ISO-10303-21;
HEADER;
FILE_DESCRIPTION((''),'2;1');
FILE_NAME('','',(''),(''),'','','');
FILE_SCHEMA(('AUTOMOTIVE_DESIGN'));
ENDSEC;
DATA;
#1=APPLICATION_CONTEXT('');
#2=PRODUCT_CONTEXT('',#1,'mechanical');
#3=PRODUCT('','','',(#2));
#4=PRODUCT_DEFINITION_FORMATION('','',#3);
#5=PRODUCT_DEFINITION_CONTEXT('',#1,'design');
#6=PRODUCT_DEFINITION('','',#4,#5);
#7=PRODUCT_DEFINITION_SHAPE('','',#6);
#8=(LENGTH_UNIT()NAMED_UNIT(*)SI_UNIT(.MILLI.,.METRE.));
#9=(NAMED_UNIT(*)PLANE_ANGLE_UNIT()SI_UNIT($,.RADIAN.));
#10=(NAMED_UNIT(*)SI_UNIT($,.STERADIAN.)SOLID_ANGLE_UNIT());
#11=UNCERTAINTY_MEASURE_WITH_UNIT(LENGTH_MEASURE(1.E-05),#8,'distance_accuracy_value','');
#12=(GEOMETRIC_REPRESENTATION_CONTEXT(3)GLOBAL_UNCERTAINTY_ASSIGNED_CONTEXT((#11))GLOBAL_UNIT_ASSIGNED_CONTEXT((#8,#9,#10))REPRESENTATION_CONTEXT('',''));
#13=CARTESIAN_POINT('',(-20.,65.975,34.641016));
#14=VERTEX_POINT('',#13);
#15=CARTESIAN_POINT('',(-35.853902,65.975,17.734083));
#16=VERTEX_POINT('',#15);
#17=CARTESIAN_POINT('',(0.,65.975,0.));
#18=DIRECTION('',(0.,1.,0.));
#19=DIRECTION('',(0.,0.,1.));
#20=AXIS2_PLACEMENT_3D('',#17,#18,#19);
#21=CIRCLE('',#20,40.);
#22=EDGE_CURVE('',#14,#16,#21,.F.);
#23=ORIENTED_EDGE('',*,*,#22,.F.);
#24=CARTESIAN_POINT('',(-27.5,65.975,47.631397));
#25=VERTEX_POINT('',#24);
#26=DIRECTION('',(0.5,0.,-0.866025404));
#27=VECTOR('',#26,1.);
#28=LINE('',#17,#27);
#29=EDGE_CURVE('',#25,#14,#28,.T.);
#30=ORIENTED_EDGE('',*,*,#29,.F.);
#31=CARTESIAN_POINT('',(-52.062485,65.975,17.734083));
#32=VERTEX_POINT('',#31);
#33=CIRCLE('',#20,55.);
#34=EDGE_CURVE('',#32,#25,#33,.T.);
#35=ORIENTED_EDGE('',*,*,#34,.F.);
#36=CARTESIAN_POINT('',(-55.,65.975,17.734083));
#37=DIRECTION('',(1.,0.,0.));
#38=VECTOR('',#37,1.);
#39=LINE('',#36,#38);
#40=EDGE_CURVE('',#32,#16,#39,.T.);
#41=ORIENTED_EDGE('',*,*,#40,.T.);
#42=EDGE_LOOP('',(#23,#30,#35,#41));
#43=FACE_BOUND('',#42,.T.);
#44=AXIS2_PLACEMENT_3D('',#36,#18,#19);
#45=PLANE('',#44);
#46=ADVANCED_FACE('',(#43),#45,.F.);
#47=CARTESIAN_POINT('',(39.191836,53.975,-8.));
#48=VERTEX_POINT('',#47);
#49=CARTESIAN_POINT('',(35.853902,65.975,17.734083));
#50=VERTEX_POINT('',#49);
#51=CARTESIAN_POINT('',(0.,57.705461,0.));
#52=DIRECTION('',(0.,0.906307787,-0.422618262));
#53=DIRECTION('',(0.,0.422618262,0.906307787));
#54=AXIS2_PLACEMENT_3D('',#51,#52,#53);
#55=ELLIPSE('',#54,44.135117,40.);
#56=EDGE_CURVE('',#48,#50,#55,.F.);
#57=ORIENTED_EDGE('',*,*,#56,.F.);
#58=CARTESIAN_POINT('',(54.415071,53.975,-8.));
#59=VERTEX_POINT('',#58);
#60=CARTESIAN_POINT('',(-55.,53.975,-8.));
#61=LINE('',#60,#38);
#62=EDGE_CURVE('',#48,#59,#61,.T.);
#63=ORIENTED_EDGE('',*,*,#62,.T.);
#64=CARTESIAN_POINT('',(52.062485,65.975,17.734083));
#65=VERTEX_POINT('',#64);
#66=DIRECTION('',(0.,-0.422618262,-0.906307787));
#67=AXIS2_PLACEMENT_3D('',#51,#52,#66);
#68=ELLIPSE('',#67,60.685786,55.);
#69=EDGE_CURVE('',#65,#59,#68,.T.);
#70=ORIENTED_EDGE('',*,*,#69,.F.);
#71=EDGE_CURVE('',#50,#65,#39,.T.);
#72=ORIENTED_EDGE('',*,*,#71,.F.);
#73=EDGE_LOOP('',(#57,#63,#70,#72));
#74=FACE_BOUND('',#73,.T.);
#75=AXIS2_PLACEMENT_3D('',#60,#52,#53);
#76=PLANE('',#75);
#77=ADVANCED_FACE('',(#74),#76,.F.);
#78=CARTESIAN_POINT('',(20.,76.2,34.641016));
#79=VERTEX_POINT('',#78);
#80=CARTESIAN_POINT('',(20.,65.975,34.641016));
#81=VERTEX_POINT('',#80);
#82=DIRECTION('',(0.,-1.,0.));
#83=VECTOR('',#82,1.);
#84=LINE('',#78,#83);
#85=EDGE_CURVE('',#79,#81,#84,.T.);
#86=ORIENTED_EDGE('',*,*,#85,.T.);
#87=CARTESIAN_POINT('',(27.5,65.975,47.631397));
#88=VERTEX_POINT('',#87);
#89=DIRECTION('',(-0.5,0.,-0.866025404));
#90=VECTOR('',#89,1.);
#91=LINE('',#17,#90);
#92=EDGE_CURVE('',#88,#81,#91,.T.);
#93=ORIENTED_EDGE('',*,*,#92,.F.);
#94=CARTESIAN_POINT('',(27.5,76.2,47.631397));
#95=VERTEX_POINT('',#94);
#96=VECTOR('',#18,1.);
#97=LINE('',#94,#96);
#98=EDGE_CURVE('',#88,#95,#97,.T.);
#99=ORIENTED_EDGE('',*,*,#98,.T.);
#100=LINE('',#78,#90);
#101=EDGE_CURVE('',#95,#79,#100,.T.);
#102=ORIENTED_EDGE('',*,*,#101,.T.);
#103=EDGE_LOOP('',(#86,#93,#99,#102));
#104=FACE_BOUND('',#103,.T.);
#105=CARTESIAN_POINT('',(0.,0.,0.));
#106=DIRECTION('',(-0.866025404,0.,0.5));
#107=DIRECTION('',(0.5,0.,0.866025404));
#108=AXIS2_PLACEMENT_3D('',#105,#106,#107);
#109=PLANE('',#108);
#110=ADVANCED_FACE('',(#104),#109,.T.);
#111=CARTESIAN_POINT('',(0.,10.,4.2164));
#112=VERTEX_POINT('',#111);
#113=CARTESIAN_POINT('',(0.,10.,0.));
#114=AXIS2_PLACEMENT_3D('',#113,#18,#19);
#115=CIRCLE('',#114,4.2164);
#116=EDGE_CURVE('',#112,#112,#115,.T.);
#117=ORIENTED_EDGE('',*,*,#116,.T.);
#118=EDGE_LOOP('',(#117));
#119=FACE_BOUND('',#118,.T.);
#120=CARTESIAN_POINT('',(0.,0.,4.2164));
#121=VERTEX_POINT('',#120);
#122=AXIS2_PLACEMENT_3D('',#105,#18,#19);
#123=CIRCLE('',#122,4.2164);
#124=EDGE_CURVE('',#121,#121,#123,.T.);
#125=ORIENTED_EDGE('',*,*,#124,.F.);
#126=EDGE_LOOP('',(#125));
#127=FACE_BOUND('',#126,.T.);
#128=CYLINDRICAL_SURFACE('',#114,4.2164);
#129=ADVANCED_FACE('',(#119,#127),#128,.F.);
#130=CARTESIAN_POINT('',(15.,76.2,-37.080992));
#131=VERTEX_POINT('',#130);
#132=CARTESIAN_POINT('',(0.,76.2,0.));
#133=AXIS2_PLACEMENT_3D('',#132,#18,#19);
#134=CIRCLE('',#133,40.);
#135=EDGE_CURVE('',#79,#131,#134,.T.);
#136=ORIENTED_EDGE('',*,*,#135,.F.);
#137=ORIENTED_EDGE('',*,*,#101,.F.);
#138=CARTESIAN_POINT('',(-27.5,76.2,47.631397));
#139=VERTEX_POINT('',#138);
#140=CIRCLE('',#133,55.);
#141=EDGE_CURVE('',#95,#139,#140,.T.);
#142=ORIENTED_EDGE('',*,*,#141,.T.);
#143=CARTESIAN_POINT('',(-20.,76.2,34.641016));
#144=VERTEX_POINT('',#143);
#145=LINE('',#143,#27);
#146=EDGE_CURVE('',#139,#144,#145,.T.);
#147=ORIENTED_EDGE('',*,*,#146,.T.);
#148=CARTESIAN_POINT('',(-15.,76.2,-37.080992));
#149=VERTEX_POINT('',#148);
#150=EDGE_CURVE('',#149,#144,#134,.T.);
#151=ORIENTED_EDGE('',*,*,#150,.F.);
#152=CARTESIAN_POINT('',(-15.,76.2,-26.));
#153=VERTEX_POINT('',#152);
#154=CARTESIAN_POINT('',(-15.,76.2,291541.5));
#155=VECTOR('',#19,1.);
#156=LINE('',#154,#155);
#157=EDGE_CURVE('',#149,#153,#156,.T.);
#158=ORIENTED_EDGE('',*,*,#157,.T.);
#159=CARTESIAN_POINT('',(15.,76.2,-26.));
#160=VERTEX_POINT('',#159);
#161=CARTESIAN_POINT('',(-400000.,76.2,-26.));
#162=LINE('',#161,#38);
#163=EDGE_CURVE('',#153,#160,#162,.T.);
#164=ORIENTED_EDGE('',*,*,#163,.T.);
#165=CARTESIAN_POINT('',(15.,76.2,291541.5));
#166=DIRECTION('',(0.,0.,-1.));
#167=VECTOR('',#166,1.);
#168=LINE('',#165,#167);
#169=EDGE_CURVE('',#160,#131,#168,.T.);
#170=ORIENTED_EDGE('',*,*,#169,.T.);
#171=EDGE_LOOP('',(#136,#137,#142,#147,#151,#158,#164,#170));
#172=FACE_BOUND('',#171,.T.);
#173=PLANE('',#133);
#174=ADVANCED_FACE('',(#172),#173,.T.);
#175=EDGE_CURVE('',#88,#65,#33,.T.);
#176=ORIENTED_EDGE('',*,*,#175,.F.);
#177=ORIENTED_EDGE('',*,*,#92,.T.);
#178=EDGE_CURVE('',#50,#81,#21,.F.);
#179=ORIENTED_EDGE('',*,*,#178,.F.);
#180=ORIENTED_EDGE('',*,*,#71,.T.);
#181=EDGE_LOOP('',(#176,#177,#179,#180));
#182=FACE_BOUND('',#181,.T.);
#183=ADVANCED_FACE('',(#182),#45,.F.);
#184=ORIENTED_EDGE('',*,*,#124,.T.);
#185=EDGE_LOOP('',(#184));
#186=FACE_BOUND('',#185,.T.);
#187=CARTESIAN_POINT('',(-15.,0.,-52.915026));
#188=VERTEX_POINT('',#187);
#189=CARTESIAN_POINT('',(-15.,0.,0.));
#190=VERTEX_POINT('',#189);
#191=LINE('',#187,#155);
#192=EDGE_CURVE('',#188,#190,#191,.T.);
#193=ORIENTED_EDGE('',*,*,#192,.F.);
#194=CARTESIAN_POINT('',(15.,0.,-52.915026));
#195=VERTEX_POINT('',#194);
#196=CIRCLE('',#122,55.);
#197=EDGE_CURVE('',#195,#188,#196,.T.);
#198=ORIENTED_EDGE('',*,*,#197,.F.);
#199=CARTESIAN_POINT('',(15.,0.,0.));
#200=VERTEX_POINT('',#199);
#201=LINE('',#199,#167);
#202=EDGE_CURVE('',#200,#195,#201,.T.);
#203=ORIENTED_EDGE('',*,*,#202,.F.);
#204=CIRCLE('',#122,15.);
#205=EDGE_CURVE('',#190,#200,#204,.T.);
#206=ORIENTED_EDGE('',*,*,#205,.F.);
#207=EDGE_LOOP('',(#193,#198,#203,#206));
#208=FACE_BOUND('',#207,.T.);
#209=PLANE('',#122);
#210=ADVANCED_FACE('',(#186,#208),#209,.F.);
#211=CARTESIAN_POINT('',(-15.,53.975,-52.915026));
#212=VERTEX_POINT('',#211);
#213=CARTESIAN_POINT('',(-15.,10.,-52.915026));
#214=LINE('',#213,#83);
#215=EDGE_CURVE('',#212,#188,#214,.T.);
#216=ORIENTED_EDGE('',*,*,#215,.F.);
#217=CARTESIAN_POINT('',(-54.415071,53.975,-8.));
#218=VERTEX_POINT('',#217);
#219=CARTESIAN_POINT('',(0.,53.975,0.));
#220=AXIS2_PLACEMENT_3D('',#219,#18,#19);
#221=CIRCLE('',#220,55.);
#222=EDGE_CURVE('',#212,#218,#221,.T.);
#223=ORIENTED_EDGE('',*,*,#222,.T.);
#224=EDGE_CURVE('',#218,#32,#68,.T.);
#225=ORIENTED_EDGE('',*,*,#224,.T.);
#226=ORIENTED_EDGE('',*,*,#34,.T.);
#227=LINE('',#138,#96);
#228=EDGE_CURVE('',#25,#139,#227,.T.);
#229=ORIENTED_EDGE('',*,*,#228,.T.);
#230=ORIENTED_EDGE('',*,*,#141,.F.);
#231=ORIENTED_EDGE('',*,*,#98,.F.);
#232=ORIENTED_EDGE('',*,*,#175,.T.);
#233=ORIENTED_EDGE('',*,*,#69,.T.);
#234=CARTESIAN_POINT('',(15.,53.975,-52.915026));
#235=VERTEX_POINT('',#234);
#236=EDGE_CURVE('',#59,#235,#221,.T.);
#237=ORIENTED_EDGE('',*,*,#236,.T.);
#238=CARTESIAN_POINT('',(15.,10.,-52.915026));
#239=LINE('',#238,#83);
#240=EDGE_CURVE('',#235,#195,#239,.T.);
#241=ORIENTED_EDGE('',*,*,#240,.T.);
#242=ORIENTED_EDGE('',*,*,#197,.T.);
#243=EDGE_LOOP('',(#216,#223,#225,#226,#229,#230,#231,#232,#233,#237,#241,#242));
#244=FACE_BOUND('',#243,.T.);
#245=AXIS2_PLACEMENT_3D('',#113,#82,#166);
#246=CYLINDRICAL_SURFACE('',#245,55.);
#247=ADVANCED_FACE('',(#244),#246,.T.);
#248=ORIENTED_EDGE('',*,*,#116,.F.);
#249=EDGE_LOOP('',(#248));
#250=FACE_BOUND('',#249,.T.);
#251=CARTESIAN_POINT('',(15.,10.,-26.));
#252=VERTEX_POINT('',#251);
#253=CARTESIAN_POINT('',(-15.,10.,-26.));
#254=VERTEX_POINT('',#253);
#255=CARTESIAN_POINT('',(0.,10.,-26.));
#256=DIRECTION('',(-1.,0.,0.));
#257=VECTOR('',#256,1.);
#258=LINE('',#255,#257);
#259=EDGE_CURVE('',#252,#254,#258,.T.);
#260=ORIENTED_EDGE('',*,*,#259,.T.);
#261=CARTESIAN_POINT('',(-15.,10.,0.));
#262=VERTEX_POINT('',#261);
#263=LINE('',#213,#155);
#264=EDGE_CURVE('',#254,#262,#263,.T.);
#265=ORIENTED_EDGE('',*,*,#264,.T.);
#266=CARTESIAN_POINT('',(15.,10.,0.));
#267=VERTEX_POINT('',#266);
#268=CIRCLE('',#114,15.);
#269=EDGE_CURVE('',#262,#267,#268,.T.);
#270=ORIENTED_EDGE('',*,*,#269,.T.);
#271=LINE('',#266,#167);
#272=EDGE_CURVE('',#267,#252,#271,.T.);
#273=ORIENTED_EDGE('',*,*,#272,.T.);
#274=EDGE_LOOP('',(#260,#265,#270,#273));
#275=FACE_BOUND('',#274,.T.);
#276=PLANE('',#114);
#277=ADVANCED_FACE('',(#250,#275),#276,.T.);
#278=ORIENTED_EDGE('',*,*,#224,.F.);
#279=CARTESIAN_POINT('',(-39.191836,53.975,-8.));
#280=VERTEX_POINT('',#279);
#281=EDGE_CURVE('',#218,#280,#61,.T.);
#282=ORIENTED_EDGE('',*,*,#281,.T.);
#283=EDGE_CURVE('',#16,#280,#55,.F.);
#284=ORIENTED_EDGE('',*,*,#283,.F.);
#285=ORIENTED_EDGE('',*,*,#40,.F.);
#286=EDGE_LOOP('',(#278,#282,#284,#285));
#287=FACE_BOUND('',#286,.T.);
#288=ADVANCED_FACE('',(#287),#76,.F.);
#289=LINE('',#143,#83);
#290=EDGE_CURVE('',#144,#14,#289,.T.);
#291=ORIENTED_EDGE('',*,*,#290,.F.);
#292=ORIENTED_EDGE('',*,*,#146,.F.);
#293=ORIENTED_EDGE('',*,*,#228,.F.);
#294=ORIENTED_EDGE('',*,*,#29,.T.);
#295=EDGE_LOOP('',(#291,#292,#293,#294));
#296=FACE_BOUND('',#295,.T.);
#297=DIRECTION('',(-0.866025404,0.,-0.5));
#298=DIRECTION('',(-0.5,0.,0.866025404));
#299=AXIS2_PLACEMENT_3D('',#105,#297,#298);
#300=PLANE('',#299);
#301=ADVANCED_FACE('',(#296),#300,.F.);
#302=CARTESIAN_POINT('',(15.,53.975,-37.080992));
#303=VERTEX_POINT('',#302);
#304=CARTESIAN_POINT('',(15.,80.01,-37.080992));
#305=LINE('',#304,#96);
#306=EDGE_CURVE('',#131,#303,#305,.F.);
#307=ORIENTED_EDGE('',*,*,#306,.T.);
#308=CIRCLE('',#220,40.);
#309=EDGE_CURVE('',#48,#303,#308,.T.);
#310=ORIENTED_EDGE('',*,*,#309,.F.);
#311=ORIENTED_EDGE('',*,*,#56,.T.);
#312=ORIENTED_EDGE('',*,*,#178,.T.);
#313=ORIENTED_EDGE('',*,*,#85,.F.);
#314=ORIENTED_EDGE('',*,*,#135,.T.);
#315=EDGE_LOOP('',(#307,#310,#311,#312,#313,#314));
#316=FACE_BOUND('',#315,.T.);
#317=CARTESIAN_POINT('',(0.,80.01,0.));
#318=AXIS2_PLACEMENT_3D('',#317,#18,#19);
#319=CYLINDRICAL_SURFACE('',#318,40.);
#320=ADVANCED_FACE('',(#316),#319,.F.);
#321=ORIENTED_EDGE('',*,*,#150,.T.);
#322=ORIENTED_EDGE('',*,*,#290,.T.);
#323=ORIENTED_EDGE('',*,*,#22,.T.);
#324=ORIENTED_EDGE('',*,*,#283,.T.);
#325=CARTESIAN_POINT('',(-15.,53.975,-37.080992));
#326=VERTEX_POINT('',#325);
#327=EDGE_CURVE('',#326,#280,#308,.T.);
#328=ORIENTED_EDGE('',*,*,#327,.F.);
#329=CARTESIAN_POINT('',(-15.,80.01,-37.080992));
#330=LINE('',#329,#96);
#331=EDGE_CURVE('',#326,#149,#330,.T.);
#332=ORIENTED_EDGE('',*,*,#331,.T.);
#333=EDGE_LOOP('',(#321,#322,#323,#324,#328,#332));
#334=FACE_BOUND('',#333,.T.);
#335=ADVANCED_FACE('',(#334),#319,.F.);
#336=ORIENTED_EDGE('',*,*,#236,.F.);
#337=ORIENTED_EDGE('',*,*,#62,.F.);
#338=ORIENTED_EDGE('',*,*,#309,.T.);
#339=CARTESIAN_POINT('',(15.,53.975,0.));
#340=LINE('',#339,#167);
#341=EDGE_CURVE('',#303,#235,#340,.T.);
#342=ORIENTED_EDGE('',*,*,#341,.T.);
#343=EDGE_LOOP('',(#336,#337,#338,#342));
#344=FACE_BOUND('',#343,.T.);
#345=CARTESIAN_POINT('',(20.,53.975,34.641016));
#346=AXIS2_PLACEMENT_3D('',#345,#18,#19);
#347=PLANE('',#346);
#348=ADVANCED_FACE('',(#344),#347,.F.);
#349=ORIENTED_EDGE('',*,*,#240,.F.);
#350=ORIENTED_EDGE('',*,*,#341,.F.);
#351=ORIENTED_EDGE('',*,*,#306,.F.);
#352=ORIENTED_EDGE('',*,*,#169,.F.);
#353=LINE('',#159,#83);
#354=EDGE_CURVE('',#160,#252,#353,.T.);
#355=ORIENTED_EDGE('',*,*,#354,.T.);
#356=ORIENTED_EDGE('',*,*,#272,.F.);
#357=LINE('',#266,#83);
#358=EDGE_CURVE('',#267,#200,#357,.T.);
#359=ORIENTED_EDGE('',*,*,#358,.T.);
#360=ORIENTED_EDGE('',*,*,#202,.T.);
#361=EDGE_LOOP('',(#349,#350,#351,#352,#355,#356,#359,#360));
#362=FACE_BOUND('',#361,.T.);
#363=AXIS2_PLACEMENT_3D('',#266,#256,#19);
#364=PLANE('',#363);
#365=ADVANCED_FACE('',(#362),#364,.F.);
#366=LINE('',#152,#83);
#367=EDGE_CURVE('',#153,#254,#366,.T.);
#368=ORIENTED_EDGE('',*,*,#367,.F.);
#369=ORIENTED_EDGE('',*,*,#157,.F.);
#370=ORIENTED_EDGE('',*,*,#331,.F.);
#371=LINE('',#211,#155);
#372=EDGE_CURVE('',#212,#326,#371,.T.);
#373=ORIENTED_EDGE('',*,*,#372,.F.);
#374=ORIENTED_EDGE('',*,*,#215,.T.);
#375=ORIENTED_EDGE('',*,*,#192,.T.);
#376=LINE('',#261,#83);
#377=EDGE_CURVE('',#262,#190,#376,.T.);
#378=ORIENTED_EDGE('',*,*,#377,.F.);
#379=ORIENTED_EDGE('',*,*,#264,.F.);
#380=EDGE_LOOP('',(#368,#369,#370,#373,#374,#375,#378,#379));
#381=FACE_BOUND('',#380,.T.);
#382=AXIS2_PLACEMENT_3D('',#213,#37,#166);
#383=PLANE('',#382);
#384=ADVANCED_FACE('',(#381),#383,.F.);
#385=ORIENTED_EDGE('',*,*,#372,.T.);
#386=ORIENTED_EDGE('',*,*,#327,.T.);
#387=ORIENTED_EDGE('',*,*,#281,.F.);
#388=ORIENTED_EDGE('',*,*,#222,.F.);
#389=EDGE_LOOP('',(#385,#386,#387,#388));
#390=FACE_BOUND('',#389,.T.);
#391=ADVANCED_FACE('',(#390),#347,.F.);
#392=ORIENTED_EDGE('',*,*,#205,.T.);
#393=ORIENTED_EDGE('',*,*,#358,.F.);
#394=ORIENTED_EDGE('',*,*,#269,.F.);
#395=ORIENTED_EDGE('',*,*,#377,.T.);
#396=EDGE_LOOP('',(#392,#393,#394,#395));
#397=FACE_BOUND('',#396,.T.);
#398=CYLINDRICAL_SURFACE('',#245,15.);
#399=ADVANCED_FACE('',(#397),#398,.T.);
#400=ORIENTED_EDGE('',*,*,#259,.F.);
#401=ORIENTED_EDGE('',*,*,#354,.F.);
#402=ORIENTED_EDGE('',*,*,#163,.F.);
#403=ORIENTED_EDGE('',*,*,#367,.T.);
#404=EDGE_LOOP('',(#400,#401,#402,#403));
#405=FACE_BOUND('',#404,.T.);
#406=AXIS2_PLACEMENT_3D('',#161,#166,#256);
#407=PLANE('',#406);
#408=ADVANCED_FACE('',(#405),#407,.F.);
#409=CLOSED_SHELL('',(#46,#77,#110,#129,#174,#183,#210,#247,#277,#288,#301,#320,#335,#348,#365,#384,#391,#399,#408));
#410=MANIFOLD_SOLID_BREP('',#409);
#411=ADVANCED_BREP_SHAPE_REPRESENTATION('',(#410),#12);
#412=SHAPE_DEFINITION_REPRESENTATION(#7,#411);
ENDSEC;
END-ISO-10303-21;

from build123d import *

# Parameters (mm, degrees)
BOSS_EXTRUDE1_DEPTH     = 10
BOSS_EXTRUDE2_START     = -10
BOSS_EXTRUDE2_DEPTH     = 76.2
SKETCH3_W               = 15
SKETCH3_H               = 22.225
REVOLVE1_ANGLE          = 300
CUT_EXTRUDE1_DEPTH      = 56
CUT_EXTRUDE1_DEPTH_BACK = 56
F_3_8_24_TAPPED_HOLE1_D = 8.4328


with BuildPart() as part:
    # Sketch1 → Boss-Extrude1 (new body)
    with BuildSketch(Plane(origin=(0, 0, 0), x_dir=(1, 0, 0), z_dir=(0, 1, 0))):
        with BuildLine():
            Line((15, 0), (15, 52.915026221))
            ThreePointArc((15, 52.915026221), (0, 55), (-15, 52.915026221))
            Line((-15, 52.915026221), (-15, 0))
            ThreePointArc((-15, 0), (0, -15), (15, 0))
        make_face()
    extrude(amount=BOSS_EXTRUDE1_DEPTH)

    # Sketch2 → Boss-Extrude2 (add)
    with BuildSketch(Plane(origin=(0, 10, 0), x_dir=(1, 0, 0), z_dir=(0, 1, 0)).offset(BOSS_EXTRUDE2_START)):
        with BuildLine():
            Line((-15, 26), (15, 26))
            Line((15, 26), (15, 52.915026221))
            ThreePointArc((15, 52.915026221), (0, 55), (-15, 52.915026221))
            Line((-15, 52.915026221), (-15, 26))
        make_face()
    extrude(amount=BOSS_EXTRUDE2_DEPTH)

    # Sketch3 → Revolve1 (revolve, symmetric)
    with BuildSketch(Plane(origin=(0, 0, 0), x_dir=(0, 0, -1), z_dir=(1, 0, 0))) as revolve1_sk:
        with Locations((47.5, 65.0875)):
            Rectangle(SKETCH3_W, SKETCH3_H)
    revolve(axis=Axis((0, 80.01, 0), (0, -1, 0)), revolution_arc=REVOLVE1_ANGLE / 2)
    revolve(revolve1_sk.sketch, axis=Axis((0, 80.01, 0), (0, 1, 0)), revolution_arc=REVOLVE1_ANGLE / 2)

    # Sketch4 → Cut-Extrude1 (cut, two sides)
    with BuildSketch(Plane(origin=(0, 0, 0), x_dir=(0, 0, -1), z_dir=(1, 0, 0))) as cut_extrude1_sk:
        Polygon((8, 53.975), (-17.734083046, 65.975), (-47.631397208, 65.975), (-47.631397208, 53.975), align=None)
    extrude(amount=CUT_EXTRUDE1_DEPTH, mode=Mode.SUBTRACT)
    extrude(cut_extrude1_sk.sketch, amount=-CUT_EXTRUDE1_DEPTH_BACK, mode=Mode.SUBTRACT)

    # 3/8-24 Tapped Hole1 (through all)
    with Locations(Plane(origin=(0, 10, 0), x_dir=(1, 0, 0), z_dir=(0, 1, 0))):
        with Locations((0, 0)):
            Hole(F_3_8_24_TAPPED_HOLE1_D / 2)


solid = part.part
